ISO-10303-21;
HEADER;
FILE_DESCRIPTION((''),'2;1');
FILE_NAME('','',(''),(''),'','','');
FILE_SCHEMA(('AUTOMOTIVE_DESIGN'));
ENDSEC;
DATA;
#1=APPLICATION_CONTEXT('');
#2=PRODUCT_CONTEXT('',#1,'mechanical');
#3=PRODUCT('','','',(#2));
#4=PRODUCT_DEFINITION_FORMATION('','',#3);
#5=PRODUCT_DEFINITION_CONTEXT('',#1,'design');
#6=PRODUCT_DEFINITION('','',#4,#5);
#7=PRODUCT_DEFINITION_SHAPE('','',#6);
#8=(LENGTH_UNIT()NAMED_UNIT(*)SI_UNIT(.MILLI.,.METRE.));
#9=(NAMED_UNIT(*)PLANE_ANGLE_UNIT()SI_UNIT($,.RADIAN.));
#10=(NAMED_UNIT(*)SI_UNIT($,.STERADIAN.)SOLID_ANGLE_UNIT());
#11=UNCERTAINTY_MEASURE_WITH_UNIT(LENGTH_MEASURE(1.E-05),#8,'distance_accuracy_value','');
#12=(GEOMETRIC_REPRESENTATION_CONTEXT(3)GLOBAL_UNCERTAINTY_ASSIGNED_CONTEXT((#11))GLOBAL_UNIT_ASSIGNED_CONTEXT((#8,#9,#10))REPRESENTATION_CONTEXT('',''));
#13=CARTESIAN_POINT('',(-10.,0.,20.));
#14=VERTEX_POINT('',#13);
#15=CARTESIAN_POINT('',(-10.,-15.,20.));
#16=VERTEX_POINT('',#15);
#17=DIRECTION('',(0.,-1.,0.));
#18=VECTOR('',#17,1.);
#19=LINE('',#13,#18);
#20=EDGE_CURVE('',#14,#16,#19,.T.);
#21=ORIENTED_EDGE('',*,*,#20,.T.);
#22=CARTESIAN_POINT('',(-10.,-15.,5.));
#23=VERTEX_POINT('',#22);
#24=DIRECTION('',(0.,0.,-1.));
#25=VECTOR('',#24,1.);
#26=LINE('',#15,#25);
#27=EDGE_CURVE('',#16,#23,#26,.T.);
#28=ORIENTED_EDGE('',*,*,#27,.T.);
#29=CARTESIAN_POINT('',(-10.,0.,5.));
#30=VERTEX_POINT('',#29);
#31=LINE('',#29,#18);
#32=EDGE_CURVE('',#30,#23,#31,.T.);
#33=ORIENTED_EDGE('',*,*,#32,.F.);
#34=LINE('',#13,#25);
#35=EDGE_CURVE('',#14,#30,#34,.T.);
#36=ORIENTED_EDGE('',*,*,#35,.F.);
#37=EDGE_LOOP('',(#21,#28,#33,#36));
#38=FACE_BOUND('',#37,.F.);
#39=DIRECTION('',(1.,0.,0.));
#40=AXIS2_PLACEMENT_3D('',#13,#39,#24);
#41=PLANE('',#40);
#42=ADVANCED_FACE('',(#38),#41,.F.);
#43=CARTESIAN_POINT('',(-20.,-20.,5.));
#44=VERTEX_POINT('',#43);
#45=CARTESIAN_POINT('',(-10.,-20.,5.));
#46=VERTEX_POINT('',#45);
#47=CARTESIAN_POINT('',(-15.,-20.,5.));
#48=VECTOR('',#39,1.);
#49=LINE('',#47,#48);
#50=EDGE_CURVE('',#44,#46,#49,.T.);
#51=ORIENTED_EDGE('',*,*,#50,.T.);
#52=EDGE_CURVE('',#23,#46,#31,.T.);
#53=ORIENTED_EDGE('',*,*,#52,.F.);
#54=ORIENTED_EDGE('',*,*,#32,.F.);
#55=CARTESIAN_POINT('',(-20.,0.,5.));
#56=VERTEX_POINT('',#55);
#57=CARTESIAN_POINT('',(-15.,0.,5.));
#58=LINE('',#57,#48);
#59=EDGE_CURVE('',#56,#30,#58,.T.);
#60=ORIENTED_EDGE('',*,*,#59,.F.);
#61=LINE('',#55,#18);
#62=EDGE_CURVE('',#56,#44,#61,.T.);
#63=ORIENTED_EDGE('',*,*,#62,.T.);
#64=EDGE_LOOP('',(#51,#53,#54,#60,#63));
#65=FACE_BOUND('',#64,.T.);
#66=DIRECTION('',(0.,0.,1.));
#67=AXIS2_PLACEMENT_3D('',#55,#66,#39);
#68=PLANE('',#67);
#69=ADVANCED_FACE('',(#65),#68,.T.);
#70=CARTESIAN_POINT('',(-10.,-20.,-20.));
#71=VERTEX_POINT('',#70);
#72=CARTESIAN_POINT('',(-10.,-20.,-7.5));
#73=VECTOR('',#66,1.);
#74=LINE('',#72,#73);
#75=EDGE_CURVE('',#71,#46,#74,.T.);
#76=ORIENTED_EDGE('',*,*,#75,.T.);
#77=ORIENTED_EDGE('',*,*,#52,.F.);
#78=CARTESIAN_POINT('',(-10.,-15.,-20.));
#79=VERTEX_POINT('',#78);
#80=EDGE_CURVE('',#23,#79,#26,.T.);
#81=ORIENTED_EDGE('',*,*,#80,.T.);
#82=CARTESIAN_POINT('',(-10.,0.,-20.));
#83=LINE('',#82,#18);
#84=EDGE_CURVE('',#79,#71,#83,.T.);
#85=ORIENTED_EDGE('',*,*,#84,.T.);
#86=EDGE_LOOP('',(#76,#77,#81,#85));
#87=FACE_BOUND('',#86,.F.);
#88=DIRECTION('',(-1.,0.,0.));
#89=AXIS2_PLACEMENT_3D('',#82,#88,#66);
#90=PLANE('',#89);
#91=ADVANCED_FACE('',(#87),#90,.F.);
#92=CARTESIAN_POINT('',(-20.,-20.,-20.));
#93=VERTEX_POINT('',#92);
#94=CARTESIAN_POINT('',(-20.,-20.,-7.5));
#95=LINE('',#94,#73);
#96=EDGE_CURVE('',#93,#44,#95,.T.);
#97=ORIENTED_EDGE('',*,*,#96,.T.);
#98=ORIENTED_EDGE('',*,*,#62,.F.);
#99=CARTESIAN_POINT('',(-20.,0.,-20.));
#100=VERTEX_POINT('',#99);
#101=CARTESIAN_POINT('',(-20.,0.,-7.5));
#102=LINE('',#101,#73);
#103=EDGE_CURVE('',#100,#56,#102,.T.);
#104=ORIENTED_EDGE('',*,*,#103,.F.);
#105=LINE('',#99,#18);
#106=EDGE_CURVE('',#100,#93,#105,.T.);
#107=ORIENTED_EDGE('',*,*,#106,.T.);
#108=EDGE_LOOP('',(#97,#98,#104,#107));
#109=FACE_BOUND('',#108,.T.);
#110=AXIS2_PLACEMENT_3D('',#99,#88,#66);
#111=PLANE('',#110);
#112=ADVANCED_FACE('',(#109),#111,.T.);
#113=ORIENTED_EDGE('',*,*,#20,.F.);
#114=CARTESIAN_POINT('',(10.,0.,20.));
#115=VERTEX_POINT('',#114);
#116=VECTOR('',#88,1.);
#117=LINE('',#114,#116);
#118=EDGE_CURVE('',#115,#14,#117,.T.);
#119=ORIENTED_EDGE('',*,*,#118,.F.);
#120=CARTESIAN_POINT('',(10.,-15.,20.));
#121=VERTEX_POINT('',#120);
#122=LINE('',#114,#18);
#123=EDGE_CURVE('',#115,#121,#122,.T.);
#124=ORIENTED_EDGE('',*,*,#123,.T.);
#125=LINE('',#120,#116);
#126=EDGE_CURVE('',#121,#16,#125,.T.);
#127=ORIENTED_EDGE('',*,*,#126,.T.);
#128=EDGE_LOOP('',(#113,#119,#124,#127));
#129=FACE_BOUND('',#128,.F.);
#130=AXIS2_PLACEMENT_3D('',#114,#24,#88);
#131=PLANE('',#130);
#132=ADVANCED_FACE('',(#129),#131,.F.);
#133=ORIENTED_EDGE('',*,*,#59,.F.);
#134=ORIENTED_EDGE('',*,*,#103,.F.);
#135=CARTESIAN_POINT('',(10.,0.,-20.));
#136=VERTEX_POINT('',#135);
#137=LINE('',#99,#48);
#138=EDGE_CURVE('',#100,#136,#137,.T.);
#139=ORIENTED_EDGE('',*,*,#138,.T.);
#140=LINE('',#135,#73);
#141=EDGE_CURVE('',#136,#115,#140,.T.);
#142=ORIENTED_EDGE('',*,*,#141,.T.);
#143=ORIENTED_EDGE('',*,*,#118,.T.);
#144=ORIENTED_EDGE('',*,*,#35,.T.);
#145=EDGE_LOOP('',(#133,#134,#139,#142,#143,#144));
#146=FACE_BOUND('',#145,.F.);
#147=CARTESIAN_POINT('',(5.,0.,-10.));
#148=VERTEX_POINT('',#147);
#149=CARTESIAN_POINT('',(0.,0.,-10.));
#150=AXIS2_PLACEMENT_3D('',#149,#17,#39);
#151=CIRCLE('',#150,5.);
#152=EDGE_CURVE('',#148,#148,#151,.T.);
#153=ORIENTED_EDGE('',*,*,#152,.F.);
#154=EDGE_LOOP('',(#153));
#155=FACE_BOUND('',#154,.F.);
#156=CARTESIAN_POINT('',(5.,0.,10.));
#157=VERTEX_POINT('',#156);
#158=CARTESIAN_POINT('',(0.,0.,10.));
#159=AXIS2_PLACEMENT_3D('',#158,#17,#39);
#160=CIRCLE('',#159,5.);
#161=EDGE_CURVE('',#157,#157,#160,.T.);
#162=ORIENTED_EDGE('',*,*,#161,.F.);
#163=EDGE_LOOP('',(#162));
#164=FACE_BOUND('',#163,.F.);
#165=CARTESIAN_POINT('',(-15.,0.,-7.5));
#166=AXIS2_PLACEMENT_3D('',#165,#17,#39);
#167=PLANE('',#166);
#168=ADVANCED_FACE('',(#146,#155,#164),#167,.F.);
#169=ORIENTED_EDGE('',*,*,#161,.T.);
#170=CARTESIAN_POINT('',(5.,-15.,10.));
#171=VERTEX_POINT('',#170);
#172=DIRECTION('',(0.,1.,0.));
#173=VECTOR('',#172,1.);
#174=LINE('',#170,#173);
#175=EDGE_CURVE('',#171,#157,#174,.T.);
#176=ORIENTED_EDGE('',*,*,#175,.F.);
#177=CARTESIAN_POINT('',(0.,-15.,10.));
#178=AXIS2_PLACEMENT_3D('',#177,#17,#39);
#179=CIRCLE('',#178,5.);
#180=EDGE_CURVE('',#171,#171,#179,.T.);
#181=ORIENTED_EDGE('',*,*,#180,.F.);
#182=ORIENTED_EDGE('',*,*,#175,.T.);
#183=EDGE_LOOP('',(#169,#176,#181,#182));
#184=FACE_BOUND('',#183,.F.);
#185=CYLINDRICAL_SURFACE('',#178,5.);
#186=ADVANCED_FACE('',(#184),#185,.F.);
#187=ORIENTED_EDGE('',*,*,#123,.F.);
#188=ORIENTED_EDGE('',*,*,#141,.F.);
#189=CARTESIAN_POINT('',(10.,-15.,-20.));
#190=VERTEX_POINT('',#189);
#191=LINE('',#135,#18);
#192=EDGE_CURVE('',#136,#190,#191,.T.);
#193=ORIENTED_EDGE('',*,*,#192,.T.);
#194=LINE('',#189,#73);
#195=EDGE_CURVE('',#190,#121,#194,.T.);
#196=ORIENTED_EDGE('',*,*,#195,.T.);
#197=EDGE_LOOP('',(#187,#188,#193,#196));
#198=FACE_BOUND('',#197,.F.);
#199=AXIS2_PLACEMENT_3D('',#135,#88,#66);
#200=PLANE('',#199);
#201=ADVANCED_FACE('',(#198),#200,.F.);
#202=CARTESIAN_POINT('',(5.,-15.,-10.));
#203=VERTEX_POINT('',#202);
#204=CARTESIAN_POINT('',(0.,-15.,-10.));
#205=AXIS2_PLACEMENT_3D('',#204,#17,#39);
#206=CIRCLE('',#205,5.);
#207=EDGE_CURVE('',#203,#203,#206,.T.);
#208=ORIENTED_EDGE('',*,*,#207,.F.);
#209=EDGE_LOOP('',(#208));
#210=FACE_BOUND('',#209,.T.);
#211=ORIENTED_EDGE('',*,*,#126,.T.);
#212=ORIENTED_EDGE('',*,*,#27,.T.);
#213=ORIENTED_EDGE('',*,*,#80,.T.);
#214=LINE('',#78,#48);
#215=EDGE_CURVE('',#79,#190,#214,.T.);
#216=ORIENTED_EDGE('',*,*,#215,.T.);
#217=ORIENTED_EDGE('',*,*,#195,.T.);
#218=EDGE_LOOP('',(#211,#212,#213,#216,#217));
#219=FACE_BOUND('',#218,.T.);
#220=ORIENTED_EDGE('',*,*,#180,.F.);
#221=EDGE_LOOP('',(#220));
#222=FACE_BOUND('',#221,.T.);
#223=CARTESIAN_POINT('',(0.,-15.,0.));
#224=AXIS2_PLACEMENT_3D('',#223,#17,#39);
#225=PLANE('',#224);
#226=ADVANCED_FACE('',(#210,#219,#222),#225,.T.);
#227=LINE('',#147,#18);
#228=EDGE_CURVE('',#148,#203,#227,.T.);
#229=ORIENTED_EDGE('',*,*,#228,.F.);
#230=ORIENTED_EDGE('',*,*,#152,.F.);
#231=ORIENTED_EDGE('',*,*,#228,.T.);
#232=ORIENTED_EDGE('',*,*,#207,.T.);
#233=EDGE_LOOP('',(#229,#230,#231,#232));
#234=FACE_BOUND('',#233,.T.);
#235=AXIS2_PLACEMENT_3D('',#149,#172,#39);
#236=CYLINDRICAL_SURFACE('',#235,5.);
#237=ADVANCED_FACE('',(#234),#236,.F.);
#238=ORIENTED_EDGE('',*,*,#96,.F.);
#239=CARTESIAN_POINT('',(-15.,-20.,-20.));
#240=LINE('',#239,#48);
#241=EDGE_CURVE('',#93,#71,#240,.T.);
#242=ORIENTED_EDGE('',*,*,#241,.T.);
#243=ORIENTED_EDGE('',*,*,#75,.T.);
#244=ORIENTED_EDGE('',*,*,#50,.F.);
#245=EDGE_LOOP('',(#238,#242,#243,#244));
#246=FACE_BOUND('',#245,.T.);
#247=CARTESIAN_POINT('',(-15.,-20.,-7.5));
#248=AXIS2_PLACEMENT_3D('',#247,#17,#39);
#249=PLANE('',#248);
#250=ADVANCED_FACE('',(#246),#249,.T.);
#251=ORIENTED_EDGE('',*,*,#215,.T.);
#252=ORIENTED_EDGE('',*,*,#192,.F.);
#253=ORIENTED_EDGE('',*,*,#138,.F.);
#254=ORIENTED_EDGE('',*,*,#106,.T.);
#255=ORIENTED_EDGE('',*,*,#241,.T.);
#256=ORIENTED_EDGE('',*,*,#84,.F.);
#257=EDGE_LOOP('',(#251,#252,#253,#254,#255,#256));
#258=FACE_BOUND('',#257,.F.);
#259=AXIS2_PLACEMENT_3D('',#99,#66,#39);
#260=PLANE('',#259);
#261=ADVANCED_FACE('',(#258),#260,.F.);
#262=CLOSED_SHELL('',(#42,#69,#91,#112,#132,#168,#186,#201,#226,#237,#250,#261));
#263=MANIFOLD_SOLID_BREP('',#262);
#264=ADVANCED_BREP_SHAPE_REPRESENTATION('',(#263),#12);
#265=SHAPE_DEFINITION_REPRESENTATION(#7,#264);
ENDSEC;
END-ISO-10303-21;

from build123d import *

# Parameters (mm, degrees)
F0_R     = 5
F1_DEPTH = 15
F0_W     = 10
F0_H     = 25
F2_DEPTH = 20
F3_R     = 5
F4_DEPTH = 15


with BuildPart() as f1:
    # F0 (on Front) → F1 (new body)
    with BuildSketch(Plane.XZ):
        Polygon((10, -20), (10, 20), (-10, 20), (-10, 5), (-10, -20), align=None)
        with Locations((0, -10)):
            Circle(F0_R, mode=Mode.SUBTRACT)
    extrude(amount=F1_DEPTH)

    # F0 (on Front) → F2 (join)
    with BuildSketch(Plane.XZ):
        with Locations((-15, -7.5)):
            Rectangle(F0_W, F0_H)
    extrude(amount=F2_DEPTH)

    # F3 (on face) → F4 (cut, through all)
    with BuildSketch(Plane.XZ.offset(15)):
        with Locations((0, 10)):
            Circle(F3_R)
    extrude(amount=-F4_DEPTH, mode=Mode.SUBTRACT)


solid = f1.part
